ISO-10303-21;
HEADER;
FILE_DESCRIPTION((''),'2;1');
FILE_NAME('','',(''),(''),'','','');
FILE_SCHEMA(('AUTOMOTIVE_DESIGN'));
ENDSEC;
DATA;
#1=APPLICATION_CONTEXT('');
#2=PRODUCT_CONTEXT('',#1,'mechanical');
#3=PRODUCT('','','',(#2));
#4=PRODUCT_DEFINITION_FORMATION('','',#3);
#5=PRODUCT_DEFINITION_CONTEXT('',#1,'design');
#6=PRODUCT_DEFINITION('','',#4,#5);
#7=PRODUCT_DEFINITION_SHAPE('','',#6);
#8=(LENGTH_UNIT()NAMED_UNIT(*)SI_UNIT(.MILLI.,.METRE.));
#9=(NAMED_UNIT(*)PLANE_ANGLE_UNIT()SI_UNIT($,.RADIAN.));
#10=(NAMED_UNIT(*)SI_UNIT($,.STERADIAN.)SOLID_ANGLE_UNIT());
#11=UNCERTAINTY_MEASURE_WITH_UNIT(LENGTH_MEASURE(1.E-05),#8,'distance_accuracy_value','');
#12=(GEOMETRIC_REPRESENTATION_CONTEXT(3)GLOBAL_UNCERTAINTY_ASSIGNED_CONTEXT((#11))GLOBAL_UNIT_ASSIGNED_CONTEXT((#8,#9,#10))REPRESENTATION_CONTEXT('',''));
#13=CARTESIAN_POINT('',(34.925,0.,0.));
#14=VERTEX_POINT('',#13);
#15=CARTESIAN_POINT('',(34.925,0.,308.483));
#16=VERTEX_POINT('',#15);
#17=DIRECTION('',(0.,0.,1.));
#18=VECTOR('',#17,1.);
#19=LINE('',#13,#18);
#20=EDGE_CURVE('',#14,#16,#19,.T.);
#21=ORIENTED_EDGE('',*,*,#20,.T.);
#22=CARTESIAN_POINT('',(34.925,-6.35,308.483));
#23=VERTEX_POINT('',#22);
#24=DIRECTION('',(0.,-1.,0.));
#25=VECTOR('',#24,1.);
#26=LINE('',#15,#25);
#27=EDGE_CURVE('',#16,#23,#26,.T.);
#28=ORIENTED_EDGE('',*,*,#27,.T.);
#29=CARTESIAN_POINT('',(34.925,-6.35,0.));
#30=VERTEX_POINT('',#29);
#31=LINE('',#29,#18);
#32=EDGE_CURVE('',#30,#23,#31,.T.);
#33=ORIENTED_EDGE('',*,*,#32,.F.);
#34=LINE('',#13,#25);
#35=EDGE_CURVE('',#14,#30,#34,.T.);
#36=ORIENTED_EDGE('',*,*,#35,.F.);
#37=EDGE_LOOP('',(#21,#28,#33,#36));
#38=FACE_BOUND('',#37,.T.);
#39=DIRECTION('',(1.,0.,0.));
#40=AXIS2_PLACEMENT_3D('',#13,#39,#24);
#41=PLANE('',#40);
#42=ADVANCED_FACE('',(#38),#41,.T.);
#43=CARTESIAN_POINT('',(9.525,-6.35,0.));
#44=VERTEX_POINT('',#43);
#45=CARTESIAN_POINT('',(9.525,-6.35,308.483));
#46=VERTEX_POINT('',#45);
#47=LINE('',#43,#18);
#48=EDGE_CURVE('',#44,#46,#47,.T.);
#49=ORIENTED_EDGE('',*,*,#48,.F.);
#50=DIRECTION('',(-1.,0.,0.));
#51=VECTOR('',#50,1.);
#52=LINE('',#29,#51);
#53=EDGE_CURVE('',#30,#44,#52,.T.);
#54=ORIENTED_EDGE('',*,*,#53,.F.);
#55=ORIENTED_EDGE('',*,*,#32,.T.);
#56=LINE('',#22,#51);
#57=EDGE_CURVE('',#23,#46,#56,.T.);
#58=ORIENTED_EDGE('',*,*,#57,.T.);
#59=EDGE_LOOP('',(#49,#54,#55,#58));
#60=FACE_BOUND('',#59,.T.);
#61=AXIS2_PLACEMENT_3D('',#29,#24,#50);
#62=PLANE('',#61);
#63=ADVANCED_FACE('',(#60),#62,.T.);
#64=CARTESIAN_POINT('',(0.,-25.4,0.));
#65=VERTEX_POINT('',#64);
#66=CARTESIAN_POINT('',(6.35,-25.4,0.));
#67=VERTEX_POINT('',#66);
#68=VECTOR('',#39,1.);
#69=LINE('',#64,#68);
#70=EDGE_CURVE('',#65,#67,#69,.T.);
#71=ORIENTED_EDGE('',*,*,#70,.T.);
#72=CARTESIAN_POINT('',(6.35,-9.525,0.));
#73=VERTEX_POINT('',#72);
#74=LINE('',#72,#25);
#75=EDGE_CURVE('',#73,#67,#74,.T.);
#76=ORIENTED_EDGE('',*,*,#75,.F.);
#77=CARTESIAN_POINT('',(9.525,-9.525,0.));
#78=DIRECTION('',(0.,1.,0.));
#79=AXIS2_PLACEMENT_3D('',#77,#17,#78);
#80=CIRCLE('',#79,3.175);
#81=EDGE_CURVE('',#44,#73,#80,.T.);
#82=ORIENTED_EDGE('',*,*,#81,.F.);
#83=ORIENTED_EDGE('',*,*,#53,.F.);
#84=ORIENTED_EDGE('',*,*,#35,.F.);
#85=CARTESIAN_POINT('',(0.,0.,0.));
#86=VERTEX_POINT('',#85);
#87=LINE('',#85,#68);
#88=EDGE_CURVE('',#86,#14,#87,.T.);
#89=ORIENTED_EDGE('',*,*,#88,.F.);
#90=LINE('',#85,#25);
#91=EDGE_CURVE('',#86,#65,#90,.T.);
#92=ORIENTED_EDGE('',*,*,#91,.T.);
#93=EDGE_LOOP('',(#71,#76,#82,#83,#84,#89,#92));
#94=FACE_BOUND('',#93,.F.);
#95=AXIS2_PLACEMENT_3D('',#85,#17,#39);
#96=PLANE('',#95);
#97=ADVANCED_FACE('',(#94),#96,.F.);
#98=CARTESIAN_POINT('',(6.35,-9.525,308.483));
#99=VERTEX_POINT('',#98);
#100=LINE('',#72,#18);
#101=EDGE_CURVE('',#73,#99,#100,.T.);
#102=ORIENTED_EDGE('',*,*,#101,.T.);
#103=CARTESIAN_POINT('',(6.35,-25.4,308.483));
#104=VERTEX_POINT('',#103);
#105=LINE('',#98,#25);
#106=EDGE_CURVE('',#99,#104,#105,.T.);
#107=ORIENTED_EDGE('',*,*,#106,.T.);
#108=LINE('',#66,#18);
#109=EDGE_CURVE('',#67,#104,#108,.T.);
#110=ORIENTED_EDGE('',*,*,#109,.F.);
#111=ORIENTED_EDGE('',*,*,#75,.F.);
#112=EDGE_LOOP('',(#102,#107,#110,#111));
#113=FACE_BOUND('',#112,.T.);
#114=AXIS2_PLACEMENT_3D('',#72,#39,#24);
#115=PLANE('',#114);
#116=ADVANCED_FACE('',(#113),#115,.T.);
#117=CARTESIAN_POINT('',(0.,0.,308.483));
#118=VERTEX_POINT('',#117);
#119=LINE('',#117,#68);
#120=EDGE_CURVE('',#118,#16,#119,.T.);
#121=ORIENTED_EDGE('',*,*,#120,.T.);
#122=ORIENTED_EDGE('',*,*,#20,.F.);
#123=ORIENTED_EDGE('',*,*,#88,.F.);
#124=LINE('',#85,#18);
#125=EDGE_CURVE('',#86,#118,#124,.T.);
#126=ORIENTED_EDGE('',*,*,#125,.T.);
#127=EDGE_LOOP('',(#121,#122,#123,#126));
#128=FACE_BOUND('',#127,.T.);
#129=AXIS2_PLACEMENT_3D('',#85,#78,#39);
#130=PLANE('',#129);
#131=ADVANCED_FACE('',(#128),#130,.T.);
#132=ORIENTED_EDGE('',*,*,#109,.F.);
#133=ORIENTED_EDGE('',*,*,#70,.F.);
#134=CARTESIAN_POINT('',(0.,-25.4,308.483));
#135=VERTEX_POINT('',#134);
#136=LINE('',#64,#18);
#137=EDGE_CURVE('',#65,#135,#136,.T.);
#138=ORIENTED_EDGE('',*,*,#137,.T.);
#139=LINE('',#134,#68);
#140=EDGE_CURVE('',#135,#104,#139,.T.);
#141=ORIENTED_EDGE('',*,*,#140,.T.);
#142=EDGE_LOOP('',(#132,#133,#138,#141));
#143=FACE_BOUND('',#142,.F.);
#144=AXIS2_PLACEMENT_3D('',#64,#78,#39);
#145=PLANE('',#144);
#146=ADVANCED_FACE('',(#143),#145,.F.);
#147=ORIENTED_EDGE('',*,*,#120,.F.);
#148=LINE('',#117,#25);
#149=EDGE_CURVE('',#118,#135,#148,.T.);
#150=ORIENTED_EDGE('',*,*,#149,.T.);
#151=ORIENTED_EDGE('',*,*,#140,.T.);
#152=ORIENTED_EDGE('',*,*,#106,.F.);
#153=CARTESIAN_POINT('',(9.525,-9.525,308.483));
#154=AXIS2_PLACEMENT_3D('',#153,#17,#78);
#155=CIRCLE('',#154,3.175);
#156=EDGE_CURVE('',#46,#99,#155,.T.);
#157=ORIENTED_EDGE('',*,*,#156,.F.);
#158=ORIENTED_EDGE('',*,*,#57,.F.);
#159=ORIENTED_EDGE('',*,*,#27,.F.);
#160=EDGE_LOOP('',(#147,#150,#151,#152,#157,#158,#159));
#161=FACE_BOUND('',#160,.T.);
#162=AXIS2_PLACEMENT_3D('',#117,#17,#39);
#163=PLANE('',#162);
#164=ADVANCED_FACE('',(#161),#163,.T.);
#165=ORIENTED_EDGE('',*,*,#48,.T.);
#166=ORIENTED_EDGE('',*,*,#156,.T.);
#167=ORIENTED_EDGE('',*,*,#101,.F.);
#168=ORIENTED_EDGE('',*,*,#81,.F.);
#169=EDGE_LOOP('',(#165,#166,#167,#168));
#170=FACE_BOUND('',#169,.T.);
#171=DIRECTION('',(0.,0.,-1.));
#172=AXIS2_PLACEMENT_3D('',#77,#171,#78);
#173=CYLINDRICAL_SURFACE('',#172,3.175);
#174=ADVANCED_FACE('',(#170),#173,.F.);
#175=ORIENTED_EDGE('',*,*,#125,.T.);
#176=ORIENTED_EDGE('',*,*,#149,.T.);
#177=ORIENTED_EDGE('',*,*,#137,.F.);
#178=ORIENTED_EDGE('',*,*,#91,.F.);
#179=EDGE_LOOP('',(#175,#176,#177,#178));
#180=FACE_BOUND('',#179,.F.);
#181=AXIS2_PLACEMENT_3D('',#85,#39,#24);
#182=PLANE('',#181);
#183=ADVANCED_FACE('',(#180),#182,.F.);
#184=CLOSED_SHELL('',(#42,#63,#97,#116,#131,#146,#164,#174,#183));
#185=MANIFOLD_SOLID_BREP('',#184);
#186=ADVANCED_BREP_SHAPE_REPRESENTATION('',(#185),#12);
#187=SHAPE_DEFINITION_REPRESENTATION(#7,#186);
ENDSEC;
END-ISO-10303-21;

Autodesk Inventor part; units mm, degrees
ref_plane "YZ Plane" through (0, 0, 0) normal (1, 0, 0) x (0, 1, 0)
ref_plane "XZ Plane" through (0, 0, 0) normal (0, 1, 0) x (-1, 0, 0)
ref_plane "XY Plane" through (0, 0, 0) normal (0, 0, 1) x (1, 0, 0)
sketch "Sketch1" plane through (0, 0, 0) normal (0, 0, 1) x (1, 0, 0)
  line L0 (0, 0) -> (0, -25.4)
  line L1 (0, 0) -> (34.925, 0)
  line L2 (0, -25.4) -> (6.35, -25.4)
  line L3 (34.925, 0) -> (34.925, -6.35)
  line L4 (34.925, -6.35) -> (9.525, -6.35)
  line L5 (6.35, -9.525) -> (6.35, -25.4)
  arc A0 (9.525, -6.35) -> (6.35, -9.525) centre (9.525, -9.525) ccw
  dimension "d0" = 25.4
  dimension "d1" = 34.925
  dimension "d2" = 6.35
  dimension "d3" = 6.35
  dimension "d4" = 3.175
extrude "Extrusion1" add sketch "Sketch1" along normal blind 308.483
equation "\"d2\" = d3"
properties part number "Y_shaft_support_cross_bar" material "Aluminum 6061"
